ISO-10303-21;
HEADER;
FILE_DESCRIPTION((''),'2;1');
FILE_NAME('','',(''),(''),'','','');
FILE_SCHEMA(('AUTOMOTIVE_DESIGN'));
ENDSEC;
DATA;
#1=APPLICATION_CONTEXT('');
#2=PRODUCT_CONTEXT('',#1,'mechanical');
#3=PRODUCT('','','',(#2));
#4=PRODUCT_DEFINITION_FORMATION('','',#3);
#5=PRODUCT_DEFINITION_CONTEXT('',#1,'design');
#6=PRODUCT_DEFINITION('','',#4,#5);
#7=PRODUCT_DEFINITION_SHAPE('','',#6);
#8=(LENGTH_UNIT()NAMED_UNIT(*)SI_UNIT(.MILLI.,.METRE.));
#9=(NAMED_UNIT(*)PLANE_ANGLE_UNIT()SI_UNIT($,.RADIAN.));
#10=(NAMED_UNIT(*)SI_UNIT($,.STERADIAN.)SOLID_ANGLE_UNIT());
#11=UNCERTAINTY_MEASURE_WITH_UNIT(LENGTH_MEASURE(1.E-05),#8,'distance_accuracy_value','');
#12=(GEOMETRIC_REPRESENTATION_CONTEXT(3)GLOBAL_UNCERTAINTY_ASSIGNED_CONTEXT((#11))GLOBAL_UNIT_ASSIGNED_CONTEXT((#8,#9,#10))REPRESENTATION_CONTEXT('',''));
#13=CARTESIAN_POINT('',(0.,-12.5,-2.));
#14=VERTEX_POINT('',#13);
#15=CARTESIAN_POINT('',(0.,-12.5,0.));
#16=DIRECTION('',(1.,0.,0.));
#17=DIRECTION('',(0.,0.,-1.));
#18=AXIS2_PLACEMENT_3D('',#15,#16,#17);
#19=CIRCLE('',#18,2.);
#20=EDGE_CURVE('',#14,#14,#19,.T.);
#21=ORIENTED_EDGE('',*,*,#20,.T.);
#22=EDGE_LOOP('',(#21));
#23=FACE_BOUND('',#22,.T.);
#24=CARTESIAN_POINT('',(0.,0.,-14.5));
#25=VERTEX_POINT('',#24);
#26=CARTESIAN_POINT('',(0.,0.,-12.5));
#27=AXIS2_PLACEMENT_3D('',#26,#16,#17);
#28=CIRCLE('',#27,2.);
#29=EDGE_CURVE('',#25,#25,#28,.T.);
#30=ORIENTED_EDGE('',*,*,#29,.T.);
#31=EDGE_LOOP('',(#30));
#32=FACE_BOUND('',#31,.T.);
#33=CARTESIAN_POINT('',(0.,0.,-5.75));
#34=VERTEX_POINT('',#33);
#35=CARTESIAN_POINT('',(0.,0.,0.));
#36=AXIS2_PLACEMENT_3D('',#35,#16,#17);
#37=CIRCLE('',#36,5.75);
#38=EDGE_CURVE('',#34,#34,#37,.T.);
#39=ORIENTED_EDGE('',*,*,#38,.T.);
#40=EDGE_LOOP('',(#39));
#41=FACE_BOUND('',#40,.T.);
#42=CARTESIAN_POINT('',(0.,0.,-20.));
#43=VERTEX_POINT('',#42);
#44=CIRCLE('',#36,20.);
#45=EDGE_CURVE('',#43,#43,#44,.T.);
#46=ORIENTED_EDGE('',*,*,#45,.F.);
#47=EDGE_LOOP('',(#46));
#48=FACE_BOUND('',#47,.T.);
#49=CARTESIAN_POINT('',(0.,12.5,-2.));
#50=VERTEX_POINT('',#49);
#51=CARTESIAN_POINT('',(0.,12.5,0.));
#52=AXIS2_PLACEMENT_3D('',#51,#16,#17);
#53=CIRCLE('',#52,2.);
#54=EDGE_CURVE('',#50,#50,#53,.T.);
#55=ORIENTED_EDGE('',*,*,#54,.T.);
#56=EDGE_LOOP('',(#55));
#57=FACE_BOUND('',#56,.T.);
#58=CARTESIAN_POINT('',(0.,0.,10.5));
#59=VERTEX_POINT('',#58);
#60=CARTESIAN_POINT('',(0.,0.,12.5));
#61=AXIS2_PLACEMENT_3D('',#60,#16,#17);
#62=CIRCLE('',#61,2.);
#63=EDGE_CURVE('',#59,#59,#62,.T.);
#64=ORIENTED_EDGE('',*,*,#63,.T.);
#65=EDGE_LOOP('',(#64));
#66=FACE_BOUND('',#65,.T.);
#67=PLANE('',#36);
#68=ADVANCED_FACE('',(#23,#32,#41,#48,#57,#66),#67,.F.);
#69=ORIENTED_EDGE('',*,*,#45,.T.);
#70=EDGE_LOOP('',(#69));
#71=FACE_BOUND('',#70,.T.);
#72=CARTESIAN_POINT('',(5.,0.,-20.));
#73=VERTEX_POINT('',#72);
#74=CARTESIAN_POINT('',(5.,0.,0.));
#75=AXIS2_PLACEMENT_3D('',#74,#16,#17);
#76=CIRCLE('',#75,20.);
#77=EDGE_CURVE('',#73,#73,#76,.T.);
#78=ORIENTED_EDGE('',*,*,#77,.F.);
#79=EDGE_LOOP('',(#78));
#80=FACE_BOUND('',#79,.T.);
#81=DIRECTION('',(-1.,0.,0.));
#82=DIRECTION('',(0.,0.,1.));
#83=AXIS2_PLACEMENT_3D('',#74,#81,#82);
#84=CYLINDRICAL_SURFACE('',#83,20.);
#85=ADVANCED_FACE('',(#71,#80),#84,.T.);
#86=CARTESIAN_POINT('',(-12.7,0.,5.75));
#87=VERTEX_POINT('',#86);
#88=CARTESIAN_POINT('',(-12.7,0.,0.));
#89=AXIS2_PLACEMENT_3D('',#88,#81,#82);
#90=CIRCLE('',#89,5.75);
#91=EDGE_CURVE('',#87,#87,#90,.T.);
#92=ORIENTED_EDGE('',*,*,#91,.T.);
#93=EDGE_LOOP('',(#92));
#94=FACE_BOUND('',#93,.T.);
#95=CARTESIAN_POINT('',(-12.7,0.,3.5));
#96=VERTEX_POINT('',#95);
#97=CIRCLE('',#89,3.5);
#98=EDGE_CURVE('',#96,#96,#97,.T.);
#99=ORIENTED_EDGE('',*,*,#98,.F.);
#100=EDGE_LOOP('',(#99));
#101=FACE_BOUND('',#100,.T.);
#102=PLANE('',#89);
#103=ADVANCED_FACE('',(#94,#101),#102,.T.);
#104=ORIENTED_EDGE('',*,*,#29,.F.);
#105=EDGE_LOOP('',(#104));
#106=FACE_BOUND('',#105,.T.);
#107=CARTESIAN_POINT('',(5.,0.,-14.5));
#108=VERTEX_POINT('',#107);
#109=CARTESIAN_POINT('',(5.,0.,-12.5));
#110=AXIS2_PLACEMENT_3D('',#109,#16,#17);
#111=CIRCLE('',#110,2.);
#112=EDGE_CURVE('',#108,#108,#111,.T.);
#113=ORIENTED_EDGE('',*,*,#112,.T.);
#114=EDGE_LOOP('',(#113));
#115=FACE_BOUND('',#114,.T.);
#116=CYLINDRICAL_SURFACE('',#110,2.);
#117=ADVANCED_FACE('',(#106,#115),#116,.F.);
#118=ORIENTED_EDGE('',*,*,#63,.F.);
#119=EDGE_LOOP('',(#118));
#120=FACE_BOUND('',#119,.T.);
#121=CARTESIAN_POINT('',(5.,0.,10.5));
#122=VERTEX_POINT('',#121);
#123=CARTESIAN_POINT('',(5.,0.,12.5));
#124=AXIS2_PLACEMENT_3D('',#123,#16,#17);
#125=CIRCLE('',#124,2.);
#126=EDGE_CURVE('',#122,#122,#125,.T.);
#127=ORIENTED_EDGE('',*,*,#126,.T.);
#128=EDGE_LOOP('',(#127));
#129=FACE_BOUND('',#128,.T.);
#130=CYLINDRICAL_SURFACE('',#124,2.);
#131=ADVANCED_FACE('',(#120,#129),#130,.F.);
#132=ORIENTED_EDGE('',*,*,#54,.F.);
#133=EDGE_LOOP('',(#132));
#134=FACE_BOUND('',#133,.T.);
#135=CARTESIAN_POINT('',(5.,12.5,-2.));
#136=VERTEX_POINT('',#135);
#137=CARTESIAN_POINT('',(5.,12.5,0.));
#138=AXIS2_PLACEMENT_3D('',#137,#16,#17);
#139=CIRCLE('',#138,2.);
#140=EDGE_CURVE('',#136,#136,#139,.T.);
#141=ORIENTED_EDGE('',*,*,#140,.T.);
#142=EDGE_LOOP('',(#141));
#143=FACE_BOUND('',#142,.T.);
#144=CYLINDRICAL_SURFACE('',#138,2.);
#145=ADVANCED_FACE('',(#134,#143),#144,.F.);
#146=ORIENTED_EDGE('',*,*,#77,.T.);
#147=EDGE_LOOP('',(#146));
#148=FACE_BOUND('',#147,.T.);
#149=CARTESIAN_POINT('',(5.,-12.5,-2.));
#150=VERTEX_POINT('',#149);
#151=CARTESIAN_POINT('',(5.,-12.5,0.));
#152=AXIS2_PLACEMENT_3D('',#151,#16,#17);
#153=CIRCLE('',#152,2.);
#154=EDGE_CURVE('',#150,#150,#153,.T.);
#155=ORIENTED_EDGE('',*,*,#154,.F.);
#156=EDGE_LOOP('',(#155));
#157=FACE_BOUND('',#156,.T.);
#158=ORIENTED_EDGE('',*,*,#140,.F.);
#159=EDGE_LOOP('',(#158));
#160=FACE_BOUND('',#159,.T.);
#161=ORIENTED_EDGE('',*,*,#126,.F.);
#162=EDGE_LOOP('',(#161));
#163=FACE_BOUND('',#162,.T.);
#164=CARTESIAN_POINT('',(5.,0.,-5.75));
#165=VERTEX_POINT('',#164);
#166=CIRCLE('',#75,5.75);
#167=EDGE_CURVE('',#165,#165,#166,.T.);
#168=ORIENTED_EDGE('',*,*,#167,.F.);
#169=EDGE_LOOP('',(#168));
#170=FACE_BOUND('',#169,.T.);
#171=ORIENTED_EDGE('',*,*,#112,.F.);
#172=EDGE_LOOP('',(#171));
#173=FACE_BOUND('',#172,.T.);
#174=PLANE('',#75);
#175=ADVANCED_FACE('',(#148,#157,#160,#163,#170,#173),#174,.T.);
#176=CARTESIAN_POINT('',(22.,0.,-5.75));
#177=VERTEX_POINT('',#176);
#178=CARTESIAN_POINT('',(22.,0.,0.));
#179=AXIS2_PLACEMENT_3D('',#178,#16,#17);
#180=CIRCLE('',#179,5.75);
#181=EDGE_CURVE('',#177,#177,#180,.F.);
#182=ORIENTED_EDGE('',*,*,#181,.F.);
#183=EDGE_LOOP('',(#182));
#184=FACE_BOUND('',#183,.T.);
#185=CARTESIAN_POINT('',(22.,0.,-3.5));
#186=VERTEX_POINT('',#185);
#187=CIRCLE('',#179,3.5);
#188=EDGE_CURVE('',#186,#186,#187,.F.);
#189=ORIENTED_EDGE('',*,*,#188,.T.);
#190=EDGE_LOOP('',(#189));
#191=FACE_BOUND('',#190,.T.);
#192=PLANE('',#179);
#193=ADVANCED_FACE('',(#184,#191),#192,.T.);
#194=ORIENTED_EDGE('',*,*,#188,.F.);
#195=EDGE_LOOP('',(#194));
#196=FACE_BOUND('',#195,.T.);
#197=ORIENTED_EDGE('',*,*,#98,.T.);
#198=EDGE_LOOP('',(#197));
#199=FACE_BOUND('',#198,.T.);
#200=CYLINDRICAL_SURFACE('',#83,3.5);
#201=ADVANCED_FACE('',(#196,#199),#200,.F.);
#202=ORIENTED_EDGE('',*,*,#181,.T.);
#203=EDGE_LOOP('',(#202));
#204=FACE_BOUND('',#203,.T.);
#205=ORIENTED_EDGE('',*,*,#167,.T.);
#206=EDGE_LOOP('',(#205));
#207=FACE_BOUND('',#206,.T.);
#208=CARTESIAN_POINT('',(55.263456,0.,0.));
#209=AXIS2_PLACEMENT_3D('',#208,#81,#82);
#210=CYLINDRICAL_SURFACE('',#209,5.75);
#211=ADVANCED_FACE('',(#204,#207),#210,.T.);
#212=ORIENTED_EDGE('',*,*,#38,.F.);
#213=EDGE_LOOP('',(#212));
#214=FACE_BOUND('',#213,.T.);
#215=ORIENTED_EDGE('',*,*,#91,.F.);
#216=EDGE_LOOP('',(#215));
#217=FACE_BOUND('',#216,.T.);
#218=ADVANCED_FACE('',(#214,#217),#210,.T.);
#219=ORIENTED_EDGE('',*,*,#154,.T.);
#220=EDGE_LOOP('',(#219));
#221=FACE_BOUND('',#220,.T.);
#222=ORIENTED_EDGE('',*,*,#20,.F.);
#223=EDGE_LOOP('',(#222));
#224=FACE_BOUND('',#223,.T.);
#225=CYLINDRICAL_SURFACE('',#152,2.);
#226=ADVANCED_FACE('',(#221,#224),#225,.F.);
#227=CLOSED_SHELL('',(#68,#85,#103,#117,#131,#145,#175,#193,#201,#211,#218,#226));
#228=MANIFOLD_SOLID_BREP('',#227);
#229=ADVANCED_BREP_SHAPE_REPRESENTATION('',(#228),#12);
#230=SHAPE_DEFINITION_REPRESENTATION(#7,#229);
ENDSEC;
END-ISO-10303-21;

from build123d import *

# Parameters (mm, degrees)
SKETCH1_R                    = 20
SKETCH1_R_2                  = 3.5
BOSS_EXTRUDE1_DEPTH          = 5
BOSS_EXTRUDE2_DEPTH          = 12.7
BOSS_EXTRUDE2_DEPTH_BACK     = 22
SKETCH3_R                    = 5.75
SKETCH3_R_2                  = 3.5
F_4_0_4_DIAMETER_HOLE1_D     = 4
F_4_0_4_DIAMETER_HOLE1_DEPTH = 15
F_4_0_4_DIAMETER_HOLE1_TIP   = 1.201721238


with BuildPart() as part:
    # Sketch1 → Boss-Extrude1 (new body)
    with BuildSketch(Plane(origin=(0, 0, 0), x_dir=(0, 0, -1), z_dir=(1, 0, 0))):
        Circle(SKETCH1_R)
        Circle(SKETCH1_R_2, mode=Mode.SUBTRACT)
    extrude(amount=BOSS_EXTRUDE1_DEPTH)

    # Sketch3 → Boss-Extrude2 (add, two sides: drawn at the far end of the back side and taken through both)
    with BuildSketch(Plane.ZY.offset(-BOSS_EXTRUDE2_DEPTH_BACK)):
        Circle(SKETCH3_R)
        Circle(SKETCH3_R_2, mode=Mode.SUBTRACT)
    extrude(amount=BOSS_EXTRUDE2_DEPTH + BOSS_EXTRUDE2_DEPTH_BACK)

    # Ø4.0 (4) Diameter Hole1
    with Locations(Plane(origin=(5, 0, 0), x_dir=(0, 0, -1), z_dir=(1, 0, 0))):
        with Locations((12.5, 0), (0, -12.5), (-12.5, 0), (0, 12.5)):
            Hole(F_4_0_4_DIAMETER_HOLE1_D / 2, depth=F_4_0_4_DIAMETER_HOLE1_DEPTH)
            with Locations((0, 0, -(F_4_0_4_DIAMETER_HOLE1_DEPTH + F_4_0_4_DIAMETER_HOLE1_TIP / 2))):  # 118° drill point
                Cone(0, F_4_0_4_DIAMETER_HOLE1_D / 2, F_4_0_4_DIAMETER_HOLE1_TIP, mode=Mode.SUBTRACT)


solid = part.part
